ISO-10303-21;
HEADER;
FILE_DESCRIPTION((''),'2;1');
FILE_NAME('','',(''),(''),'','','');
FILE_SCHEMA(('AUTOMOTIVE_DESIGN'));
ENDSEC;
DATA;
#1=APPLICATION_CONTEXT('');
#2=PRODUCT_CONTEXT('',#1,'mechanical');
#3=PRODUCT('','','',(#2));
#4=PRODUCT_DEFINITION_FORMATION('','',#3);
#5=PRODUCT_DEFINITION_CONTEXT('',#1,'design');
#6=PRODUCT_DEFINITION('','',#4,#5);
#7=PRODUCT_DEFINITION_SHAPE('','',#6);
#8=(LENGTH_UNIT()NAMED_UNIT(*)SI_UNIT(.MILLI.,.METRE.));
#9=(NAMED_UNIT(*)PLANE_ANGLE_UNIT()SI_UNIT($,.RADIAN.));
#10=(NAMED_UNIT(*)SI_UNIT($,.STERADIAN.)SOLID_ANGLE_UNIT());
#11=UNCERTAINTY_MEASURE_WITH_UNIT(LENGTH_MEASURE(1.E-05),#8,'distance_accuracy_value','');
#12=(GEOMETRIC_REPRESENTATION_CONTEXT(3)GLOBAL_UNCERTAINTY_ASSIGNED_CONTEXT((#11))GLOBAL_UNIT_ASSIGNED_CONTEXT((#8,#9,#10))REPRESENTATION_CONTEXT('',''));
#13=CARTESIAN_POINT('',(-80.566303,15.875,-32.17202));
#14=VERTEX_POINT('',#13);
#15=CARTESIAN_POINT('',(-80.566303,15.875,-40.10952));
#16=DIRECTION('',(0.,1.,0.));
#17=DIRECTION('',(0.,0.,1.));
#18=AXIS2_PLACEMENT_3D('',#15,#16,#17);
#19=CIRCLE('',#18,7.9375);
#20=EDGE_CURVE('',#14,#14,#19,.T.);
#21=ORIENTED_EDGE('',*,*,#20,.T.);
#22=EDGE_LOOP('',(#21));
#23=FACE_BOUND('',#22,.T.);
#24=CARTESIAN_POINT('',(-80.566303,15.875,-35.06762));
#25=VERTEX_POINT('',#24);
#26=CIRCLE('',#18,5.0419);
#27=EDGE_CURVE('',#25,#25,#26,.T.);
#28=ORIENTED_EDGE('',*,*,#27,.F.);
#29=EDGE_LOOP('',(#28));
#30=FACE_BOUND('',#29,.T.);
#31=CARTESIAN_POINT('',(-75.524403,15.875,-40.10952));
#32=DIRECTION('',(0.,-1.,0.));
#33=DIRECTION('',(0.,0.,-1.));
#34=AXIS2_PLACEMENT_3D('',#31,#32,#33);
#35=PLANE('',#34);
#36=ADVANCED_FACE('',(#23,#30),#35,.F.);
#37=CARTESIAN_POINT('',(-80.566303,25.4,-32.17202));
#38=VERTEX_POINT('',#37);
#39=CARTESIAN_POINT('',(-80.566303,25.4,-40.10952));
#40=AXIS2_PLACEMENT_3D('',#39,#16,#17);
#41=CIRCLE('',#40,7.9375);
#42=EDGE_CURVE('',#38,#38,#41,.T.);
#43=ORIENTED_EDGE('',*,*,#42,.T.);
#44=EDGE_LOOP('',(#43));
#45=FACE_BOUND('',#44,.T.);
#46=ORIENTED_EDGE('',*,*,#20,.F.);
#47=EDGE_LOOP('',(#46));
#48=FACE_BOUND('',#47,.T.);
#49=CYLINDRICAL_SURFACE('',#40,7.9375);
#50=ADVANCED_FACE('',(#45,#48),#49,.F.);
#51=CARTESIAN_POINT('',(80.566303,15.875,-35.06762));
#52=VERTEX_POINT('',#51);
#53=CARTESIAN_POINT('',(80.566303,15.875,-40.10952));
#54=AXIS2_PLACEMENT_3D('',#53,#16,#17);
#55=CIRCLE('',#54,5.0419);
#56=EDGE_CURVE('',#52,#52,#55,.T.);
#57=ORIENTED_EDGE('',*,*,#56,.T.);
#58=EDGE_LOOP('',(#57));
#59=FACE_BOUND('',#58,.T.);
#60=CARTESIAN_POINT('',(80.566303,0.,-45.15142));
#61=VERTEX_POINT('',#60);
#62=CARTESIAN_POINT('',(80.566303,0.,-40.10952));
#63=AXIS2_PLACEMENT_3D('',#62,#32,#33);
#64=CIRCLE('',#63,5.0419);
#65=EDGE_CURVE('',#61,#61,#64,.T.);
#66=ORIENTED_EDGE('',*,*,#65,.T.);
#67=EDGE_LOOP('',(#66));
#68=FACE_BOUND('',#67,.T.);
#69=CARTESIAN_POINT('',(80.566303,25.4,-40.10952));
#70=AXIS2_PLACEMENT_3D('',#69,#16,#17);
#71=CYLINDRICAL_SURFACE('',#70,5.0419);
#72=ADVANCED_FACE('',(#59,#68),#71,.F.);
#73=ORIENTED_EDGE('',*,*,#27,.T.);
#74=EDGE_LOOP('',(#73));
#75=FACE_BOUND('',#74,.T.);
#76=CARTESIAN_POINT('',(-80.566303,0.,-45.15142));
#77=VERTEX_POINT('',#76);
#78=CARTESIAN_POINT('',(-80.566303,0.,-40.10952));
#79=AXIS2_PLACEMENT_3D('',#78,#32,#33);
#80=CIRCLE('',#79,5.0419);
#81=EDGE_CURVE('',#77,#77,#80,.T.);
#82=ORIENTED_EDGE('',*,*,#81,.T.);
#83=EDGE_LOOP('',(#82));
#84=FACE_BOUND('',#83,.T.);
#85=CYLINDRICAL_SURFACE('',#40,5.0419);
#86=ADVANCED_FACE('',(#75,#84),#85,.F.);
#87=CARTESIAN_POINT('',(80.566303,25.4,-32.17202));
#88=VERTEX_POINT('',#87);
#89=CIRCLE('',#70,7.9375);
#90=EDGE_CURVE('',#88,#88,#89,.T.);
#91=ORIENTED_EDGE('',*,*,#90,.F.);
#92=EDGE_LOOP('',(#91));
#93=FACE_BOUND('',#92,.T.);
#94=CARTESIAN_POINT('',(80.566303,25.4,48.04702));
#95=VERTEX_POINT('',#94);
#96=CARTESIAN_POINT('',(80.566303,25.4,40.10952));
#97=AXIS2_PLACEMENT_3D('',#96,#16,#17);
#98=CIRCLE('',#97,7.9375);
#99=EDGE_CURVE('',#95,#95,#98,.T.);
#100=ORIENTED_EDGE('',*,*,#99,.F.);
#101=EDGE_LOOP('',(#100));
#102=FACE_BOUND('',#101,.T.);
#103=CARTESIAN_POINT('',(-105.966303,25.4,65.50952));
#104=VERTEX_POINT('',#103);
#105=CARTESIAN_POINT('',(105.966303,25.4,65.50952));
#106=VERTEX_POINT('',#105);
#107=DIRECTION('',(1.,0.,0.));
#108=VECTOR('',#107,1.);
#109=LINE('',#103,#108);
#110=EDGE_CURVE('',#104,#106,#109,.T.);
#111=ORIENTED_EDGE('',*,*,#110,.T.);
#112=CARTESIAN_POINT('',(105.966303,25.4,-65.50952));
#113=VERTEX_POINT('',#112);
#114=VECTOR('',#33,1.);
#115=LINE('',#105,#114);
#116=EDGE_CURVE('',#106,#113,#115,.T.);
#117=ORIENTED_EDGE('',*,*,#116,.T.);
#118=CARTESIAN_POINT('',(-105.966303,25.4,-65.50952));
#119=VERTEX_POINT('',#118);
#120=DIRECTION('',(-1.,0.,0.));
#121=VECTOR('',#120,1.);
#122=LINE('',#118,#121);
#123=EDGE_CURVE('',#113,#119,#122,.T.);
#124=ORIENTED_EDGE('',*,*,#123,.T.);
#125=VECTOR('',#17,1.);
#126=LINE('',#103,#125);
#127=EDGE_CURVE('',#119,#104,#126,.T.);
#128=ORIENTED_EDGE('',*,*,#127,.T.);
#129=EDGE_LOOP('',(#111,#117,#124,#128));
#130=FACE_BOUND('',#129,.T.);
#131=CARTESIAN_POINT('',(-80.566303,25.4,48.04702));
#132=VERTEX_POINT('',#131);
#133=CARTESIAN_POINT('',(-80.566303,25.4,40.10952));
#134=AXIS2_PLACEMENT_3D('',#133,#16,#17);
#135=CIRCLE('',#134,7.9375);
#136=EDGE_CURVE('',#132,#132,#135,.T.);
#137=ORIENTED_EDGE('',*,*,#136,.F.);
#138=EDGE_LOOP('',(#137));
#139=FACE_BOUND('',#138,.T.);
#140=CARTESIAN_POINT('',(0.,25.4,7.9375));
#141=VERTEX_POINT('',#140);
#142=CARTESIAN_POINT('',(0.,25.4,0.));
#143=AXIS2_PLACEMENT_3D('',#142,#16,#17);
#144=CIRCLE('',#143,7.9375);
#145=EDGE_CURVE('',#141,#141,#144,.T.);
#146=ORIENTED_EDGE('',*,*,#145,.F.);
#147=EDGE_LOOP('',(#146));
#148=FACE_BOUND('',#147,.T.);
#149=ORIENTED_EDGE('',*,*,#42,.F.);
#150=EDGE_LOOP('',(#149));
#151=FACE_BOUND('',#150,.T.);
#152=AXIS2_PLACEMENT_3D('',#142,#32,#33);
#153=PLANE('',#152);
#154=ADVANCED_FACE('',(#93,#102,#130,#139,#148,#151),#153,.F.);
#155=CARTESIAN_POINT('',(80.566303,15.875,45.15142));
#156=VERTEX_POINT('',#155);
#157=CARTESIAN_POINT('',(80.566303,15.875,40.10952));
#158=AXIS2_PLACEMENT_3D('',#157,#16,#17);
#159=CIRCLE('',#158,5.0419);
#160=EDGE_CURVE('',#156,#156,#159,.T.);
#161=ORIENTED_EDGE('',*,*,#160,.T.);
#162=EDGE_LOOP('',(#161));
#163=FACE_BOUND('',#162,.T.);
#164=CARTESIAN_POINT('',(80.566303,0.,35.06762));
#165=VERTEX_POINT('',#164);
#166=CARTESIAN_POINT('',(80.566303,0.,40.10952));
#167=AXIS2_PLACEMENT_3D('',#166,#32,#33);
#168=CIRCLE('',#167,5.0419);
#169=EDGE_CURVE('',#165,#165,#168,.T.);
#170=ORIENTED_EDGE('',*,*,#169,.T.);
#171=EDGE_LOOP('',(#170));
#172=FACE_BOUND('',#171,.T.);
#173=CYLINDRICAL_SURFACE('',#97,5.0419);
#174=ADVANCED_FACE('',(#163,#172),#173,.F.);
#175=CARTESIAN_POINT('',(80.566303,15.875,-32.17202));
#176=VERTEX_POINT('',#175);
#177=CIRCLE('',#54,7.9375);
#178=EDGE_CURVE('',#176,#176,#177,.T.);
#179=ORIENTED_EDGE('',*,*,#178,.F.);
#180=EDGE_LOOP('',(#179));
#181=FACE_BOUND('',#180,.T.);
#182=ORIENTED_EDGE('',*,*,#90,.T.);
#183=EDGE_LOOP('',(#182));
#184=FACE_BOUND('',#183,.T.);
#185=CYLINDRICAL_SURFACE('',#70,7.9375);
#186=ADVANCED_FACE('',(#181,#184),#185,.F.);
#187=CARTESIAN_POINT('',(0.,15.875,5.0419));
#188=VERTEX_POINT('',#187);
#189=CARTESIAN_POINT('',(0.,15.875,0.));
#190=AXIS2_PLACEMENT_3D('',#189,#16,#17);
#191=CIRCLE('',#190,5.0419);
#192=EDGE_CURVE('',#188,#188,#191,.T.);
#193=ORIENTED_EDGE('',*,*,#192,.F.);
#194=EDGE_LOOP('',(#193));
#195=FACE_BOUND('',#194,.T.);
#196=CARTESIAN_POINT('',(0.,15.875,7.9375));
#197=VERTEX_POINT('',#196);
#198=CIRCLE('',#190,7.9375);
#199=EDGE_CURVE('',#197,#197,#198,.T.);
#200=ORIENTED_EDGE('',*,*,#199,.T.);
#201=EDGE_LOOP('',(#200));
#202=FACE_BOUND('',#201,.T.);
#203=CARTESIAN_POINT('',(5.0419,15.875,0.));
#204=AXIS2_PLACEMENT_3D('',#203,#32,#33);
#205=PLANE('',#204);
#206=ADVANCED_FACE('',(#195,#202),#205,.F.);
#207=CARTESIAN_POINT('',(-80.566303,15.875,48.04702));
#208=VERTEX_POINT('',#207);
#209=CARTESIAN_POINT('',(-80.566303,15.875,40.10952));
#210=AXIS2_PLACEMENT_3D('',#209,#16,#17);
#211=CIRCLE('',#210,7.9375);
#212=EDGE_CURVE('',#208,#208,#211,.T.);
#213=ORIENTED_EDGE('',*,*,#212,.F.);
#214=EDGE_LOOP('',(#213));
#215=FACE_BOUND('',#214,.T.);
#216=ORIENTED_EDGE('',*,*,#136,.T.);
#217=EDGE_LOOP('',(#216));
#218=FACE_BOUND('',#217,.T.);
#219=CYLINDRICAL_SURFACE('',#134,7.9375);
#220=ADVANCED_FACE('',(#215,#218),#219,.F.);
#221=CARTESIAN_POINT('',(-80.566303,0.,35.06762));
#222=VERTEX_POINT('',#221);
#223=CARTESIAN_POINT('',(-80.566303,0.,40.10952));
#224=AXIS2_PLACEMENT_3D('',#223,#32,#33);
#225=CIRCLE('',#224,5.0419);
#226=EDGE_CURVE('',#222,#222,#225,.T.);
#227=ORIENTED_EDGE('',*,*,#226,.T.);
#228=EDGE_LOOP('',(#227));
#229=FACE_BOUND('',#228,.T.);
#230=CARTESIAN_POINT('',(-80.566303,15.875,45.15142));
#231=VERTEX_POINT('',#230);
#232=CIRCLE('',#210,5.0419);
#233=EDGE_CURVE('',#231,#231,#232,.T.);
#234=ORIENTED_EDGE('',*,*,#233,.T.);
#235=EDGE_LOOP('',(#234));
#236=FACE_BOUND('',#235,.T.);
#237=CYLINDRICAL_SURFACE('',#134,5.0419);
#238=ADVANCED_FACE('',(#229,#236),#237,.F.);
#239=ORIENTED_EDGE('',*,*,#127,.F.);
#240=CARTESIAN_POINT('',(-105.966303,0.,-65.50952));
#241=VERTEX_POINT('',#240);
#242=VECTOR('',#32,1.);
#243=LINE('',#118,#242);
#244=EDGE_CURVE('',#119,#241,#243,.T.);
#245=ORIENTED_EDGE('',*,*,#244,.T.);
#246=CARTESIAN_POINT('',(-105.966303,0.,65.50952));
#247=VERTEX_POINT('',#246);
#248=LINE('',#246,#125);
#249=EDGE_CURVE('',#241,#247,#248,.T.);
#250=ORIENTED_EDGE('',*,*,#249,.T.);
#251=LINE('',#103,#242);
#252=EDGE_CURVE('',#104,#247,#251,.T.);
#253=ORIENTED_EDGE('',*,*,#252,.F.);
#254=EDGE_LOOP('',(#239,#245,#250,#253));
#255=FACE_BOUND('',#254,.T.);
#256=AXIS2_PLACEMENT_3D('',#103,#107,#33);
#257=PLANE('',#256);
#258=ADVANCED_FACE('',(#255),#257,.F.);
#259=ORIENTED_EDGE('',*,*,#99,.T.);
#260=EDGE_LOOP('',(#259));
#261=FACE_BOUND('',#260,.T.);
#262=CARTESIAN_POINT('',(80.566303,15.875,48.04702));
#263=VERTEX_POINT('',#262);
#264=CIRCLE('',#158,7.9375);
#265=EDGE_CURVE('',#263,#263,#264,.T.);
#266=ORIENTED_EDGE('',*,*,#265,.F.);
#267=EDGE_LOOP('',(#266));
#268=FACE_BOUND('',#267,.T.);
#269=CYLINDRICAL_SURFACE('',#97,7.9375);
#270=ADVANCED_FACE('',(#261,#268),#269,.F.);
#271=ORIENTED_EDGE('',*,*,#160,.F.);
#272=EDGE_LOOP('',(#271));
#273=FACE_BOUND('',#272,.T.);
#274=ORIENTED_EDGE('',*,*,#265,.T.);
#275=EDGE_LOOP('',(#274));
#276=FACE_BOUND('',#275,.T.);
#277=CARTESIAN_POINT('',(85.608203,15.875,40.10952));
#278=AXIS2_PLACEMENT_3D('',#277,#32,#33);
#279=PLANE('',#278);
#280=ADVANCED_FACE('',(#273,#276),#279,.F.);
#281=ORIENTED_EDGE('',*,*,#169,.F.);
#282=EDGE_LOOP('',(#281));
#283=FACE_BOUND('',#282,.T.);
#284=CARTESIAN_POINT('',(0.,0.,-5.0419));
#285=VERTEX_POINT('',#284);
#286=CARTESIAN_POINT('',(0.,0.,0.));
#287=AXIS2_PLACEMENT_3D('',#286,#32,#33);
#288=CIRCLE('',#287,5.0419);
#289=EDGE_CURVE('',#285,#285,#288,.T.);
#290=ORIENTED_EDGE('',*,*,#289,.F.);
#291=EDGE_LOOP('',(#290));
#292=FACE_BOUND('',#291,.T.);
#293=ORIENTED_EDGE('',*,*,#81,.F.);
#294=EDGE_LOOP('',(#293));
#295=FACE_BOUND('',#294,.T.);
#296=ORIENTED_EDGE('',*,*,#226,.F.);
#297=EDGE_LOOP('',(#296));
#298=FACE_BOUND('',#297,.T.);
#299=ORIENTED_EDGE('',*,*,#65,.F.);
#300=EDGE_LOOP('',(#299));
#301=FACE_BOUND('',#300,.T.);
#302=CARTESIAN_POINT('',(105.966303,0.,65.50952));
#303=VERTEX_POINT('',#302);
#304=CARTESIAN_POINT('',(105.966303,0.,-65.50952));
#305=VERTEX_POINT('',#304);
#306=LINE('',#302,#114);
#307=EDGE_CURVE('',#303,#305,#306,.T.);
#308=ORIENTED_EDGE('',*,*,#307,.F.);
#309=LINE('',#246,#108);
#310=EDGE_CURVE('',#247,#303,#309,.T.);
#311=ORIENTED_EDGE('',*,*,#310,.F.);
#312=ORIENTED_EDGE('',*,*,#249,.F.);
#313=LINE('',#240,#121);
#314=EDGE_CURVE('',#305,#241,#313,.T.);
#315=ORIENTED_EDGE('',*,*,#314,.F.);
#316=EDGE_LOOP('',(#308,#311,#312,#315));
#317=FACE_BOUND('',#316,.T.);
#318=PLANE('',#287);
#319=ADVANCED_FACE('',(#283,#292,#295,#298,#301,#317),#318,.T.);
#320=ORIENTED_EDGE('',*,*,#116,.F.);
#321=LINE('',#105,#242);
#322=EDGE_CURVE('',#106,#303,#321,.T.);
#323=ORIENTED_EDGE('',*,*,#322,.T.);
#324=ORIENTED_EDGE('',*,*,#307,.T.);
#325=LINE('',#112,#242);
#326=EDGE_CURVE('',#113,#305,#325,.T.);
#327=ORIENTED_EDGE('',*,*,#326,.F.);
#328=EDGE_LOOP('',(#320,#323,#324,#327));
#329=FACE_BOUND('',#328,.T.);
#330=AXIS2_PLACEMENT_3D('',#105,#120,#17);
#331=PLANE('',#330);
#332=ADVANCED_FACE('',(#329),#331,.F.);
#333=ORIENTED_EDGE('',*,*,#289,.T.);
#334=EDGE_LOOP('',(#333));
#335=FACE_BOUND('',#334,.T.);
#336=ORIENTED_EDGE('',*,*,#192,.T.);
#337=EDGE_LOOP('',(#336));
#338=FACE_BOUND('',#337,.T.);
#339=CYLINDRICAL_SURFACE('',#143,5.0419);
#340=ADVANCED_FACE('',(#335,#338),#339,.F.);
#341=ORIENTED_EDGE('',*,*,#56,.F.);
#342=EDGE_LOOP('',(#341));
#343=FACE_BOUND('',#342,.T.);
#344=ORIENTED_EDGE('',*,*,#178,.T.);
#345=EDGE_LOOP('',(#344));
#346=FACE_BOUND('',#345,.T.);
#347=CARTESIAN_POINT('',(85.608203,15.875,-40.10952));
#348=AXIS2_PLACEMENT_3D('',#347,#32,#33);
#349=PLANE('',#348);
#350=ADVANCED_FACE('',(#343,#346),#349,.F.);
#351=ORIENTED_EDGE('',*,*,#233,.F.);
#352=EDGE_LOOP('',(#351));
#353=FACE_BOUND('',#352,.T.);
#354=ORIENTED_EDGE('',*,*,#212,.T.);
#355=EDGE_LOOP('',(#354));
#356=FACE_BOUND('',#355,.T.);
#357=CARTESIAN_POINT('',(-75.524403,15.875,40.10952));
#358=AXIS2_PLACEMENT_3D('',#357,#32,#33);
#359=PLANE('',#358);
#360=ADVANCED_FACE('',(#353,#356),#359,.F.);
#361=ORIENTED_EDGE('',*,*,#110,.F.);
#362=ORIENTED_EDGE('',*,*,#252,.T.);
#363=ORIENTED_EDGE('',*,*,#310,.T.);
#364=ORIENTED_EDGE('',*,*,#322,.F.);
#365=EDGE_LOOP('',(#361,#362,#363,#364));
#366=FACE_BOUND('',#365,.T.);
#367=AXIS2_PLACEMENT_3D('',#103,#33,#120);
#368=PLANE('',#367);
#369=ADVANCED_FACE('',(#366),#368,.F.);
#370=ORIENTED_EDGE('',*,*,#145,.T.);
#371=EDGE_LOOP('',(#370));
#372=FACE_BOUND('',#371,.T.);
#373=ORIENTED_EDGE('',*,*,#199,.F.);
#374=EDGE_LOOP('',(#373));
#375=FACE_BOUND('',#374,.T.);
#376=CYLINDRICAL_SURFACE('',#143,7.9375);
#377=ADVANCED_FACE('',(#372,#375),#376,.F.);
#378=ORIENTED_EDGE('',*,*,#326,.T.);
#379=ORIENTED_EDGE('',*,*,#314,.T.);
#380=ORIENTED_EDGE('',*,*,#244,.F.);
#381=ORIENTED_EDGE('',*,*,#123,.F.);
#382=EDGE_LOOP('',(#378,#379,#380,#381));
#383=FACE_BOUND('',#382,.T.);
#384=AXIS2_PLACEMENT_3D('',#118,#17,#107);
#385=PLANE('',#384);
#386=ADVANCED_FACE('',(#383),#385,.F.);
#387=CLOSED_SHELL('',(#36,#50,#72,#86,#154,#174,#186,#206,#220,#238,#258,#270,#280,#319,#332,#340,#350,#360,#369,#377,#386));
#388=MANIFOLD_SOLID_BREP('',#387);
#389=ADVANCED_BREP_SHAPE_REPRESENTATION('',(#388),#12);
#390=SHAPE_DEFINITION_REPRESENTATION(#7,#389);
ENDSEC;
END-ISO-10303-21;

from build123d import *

# Parameters (mm, degrees)
SKETCH1_W                                        = 211.932606224
SKETCH1_H                                        = 131.01903931
BOSS_EXTRUDE1_DEPTH                              = 25.4
CBORE_FOR_3_8_SOCKET_HEAD_CAP_SCREW1_D           = 10.0838
CBORE_FOR_3_8_SOCKET_HEAD_CAP_SCREW1_CBORE_D     = 15.875
CBORE_FOR_3_8_SOCKET_HEAD_CAP_SCREW1_CBORE_DEPTH = 9.525


with BuildPart() as part:
    # Sketch1 → Boss-Extrude1 (new body)
    with BuildSketch(Plane(origin=(0, 0, 0), x_dir=(1, 0, 0), z_dir=(0, 1, 0))):
        Rectangle(SKETCH1_W, SKETCH1_H)
    extrude(amount=BOSS_EXTRUDE1_DEPTH)

    # CBORE for 3/8 Socket Head Cap Screw1 (through all)
    with Locations(Plane(origin=(0, 25.4, 0), x_dir=(1, 0, 0), z_dir=(0, 1, 0))):
        with Locations((-80.566303112, -40.109519655), (-80.566303112, 40.109519655), (80.566303112, 40.109519655), (80.566303112, -40.109519655), (0, 0)):
            CounterBoreHole(CBORE_FOR_3_8_SOCKET_HEAD_CAP_SCREW1_D / 2, CBORE_FOR_3_8_SOCKET_HEAD_CAP_SCREW1_CBORE_D / 2, CBORE_FOR_3_8_SOCKET_HEAD_CAP_SCREW1_CBORE_DEPTH)


solid = part.part
